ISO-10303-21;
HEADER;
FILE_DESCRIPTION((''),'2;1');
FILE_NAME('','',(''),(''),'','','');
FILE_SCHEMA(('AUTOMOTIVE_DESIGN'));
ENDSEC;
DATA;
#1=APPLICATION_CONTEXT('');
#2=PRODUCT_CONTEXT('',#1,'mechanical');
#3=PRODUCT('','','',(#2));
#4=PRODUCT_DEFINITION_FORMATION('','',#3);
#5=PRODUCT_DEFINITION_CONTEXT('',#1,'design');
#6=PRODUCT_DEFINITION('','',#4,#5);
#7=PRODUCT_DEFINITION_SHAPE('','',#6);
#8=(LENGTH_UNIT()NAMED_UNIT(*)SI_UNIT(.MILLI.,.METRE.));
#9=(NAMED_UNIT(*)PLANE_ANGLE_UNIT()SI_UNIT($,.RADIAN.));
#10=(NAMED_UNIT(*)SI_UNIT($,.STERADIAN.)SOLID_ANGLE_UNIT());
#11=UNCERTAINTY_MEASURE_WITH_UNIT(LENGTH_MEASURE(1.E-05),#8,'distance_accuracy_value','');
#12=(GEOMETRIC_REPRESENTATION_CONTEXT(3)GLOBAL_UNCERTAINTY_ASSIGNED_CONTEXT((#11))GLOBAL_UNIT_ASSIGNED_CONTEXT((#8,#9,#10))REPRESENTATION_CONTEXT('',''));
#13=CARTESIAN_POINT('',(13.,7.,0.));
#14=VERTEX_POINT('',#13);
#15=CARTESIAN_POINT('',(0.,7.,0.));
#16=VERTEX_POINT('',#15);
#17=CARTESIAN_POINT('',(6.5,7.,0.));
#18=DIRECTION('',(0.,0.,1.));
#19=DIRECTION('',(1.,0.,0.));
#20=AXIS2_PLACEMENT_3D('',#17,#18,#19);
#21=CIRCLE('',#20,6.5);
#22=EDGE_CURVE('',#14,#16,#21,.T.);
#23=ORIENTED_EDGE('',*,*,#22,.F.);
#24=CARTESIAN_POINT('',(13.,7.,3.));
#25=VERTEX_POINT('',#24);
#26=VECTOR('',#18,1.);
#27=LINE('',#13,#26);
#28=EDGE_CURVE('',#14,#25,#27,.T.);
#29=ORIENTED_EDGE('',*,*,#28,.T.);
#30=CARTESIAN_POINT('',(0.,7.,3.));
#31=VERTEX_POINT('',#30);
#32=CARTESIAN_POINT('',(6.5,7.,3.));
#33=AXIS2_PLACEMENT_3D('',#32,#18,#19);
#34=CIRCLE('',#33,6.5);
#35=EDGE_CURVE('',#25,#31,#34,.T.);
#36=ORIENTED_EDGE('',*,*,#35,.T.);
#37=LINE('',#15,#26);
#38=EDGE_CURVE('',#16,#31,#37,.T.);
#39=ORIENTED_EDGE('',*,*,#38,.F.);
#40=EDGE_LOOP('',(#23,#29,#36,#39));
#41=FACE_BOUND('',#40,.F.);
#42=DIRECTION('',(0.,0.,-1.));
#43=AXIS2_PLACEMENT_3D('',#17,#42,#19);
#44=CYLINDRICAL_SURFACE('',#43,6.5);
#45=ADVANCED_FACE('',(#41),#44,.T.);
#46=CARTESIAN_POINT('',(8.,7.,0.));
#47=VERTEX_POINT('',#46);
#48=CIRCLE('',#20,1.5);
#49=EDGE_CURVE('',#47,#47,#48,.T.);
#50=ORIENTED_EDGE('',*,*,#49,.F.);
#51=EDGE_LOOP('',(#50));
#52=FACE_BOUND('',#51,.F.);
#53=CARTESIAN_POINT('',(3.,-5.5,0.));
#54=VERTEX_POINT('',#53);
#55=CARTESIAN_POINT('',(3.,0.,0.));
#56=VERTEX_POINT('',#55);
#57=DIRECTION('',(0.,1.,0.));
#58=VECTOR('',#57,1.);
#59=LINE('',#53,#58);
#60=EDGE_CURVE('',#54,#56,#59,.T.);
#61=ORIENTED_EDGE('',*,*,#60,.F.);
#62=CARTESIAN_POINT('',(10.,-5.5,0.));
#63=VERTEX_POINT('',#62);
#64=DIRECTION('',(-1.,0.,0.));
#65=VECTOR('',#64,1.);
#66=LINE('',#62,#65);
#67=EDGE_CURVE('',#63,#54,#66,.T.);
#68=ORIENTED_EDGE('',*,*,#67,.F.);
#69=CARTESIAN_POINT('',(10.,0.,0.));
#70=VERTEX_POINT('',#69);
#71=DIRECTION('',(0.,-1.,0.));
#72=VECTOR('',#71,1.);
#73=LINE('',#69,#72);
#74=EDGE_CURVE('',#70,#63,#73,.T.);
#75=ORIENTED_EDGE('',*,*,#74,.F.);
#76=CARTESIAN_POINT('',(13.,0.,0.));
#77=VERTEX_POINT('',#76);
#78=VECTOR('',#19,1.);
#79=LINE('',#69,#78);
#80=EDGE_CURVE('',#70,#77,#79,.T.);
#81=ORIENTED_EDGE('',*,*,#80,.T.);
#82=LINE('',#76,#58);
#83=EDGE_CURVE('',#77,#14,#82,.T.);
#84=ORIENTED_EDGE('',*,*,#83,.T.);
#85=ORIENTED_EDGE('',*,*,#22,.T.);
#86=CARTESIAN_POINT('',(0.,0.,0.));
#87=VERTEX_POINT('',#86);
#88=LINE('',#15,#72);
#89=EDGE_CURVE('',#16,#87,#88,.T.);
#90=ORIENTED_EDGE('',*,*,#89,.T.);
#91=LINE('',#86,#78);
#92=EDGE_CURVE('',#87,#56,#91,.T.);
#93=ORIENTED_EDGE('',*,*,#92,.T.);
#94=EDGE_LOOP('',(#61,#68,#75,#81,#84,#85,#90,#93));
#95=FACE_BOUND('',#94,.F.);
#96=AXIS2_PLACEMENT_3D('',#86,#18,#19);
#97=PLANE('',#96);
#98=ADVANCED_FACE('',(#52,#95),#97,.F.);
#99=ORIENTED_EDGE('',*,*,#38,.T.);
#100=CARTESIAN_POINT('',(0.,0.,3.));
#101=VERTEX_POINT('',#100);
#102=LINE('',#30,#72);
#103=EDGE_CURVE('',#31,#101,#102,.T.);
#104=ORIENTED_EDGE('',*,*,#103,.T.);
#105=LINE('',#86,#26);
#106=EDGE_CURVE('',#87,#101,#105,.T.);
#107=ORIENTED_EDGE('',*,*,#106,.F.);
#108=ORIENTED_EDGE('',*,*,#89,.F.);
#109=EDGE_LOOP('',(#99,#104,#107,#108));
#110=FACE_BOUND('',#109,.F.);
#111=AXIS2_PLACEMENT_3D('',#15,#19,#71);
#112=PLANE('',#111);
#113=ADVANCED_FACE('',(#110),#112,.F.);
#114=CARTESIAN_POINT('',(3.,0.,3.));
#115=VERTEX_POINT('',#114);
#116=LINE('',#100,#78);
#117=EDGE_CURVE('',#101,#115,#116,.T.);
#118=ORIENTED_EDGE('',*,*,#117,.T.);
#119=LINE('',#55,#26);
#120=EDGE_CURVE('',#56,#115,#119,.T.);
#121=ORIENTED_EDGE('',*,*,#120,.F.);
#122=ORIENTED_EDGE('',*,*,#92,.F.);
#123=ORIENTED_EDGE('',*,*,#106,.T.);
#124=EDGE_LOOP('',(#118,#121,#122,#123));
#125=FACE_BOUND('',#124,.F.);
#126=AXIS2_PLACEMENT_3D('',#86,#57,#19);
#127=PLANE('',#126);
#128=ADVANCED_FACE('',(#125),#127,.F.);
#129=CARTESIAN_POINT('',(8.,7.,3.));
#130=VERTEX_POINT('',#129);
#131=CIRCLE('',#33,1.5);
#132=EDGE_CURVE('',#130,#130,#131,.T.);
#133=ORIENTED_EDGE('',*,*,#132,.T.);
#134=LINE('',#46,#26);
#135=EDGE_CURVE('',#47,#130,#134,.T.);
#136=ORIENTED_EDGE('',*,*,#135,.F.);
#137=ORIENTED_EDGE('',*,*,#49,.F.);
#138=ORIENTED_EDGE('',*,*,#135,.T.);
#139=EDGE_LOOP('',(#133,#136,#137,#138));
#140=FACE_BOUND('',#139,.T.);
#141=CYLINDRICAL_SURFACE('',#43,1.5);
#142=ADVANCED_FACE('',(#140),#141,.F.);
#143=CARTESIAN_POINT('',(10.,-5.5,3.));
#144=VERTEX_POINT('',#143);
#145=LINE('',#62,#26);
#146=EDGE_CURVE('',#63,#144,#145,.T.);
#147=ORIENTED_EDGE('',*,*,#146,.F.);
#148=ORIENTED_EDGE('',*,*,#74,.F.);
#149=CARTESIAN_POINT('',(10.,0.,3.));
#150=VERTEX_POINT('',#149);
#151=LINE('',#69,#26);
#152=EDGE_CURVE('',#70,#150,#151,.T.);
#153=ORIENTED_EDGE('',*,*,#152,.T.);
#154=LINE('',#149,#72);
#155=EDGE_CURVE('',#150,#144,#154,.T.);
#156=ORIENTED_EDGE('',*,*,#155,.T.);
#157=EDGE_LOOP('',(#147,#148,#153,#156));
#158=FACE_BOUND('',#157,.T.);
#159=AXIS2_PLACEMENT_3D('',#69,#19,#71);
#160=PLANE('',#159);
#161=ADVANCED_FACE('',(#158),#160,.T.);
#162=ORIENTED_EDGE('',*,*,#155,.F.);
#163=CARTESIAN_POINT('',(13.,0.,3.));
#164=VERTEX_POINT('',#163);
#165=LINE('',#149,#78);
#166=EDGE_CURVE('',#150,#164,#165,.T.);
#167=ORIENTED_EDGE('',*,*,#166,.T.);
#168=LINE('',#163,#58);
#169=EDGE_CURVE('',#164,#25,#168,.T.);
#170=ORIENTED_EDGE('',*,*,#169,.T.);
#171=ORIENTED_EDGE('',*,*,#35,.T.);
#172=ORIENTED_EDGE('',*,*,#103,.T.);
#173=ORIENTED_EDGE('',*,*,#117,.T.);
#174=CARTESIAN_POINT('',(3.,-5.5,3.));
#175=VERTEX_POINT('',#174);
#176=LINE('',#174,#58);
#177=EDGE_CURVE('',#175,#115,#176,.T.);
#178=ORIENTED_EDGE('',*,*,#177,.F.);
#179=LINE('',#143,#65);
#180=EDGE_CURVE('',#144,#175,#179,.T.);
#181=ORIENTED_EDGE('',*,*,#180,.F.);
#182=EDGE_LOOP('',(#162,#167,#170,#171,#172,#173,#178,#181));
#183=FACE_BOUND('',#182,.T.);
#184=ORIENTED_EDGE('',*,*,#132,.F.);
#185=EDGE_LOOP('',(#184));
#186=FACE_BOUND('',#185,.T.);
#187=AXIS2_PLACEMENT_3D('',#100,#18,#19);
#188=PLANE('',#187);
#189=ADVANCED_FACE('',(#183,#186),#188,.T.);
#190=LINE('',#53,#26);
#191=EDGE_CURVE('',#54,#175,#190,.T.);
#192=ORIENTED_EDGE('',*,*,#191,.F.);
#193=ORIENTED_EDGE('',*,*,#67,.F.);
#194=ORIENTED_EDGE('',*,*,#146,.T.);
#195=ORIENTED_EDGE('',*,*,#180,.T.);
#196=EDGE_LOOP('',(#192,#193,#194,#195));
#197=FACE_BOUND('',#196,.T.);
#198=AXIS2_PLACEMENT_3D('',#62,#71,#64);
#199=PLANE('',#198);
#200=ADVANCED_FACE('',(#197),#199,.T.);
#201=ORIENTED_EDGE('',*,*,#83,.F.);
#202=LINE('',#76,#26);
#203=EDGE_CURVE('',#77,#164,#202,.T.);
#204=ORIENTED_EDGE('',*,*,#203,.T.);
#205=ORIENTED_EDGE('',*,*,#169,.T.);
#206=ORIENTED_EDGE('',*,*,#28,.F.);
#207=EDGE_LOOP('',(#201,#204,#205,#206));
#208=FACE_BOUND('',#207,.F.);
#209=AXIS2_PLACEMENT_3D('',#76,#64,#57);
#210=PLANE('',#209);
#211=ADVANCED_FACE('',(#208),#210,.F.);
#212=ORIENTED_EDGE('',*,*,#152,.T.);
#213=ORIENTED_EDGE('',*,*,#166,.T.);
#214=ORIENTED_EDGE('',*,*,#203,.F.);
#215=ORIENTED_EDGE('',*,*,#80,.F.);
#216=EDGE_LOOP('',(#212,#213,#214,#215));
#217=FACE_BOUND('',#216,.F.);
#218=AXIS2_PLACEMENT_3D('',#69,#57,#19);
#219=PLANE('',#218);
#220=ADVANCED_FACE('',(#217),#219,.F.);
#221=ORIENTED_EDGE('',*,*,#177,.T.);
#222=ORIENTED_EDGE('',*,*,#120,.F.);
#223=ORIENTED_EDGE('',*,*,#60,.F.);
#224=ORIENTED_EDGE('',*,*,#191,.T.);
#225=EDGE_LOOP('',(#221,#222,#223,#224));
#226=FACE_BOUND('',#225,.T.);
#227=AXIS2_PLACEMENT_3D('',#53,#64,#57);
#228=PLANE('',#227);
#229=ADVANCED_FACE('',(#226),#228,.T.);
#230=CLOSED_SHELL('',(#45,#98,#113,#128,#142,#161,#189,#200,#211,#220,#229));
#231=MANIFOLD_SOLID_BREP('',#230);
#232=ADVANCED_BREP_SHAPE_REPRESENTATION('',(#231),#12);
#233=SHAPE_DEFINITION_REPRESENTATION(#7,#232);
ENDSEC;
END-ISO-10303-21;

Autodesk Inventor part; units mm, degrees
ref_plane "YZ Plane" through (0, 0, 0) normal (1, 0, 0) x (0, 1, 0)
ref_plane "XZ Plane" through (0, 0, 0) normal (0, 1, 0) x (-1, 0, 0)
ref_plane "XY Plane" through (0, 0, 0) normal (0, 0, 1) x (1, 0, 0)
sketch "Sketch1" plane through (0, 0, 0) normal (0, 0, 1) x (1, 0, 0)
  line L0 (13, 0) -> (13, 7)
  line L1 (0, 7) -> (0, 0)
  arc A0 (13, 7) -> (0, 7) centre (6.5, 7) ccw
  line L2 (10, 0) -> (10, -5.5)
  line L3 (10, -5.5) -> (3, -5.5)
  line L4 (3, -5.5) -> (3, 0)
  line L5 (0, 0) -> (3, 0)
  line L6 (10, 0) -> (13, 0)
  circle A1 centre (6.5, 7) radius 1.5
  dimension "d0" = 7
  dimension "d1" = 3
  dimension "d2" = 3
  dimension "d3" = 7
  dimension "d7" = 3
  dimension "d10" = 5.5
  dimension "d11" = 7
extrude "Extrusion2" add sketch "Sketch1" along normal blind 3
properties part number "Gripper V 6.0 base tab 3mm"
